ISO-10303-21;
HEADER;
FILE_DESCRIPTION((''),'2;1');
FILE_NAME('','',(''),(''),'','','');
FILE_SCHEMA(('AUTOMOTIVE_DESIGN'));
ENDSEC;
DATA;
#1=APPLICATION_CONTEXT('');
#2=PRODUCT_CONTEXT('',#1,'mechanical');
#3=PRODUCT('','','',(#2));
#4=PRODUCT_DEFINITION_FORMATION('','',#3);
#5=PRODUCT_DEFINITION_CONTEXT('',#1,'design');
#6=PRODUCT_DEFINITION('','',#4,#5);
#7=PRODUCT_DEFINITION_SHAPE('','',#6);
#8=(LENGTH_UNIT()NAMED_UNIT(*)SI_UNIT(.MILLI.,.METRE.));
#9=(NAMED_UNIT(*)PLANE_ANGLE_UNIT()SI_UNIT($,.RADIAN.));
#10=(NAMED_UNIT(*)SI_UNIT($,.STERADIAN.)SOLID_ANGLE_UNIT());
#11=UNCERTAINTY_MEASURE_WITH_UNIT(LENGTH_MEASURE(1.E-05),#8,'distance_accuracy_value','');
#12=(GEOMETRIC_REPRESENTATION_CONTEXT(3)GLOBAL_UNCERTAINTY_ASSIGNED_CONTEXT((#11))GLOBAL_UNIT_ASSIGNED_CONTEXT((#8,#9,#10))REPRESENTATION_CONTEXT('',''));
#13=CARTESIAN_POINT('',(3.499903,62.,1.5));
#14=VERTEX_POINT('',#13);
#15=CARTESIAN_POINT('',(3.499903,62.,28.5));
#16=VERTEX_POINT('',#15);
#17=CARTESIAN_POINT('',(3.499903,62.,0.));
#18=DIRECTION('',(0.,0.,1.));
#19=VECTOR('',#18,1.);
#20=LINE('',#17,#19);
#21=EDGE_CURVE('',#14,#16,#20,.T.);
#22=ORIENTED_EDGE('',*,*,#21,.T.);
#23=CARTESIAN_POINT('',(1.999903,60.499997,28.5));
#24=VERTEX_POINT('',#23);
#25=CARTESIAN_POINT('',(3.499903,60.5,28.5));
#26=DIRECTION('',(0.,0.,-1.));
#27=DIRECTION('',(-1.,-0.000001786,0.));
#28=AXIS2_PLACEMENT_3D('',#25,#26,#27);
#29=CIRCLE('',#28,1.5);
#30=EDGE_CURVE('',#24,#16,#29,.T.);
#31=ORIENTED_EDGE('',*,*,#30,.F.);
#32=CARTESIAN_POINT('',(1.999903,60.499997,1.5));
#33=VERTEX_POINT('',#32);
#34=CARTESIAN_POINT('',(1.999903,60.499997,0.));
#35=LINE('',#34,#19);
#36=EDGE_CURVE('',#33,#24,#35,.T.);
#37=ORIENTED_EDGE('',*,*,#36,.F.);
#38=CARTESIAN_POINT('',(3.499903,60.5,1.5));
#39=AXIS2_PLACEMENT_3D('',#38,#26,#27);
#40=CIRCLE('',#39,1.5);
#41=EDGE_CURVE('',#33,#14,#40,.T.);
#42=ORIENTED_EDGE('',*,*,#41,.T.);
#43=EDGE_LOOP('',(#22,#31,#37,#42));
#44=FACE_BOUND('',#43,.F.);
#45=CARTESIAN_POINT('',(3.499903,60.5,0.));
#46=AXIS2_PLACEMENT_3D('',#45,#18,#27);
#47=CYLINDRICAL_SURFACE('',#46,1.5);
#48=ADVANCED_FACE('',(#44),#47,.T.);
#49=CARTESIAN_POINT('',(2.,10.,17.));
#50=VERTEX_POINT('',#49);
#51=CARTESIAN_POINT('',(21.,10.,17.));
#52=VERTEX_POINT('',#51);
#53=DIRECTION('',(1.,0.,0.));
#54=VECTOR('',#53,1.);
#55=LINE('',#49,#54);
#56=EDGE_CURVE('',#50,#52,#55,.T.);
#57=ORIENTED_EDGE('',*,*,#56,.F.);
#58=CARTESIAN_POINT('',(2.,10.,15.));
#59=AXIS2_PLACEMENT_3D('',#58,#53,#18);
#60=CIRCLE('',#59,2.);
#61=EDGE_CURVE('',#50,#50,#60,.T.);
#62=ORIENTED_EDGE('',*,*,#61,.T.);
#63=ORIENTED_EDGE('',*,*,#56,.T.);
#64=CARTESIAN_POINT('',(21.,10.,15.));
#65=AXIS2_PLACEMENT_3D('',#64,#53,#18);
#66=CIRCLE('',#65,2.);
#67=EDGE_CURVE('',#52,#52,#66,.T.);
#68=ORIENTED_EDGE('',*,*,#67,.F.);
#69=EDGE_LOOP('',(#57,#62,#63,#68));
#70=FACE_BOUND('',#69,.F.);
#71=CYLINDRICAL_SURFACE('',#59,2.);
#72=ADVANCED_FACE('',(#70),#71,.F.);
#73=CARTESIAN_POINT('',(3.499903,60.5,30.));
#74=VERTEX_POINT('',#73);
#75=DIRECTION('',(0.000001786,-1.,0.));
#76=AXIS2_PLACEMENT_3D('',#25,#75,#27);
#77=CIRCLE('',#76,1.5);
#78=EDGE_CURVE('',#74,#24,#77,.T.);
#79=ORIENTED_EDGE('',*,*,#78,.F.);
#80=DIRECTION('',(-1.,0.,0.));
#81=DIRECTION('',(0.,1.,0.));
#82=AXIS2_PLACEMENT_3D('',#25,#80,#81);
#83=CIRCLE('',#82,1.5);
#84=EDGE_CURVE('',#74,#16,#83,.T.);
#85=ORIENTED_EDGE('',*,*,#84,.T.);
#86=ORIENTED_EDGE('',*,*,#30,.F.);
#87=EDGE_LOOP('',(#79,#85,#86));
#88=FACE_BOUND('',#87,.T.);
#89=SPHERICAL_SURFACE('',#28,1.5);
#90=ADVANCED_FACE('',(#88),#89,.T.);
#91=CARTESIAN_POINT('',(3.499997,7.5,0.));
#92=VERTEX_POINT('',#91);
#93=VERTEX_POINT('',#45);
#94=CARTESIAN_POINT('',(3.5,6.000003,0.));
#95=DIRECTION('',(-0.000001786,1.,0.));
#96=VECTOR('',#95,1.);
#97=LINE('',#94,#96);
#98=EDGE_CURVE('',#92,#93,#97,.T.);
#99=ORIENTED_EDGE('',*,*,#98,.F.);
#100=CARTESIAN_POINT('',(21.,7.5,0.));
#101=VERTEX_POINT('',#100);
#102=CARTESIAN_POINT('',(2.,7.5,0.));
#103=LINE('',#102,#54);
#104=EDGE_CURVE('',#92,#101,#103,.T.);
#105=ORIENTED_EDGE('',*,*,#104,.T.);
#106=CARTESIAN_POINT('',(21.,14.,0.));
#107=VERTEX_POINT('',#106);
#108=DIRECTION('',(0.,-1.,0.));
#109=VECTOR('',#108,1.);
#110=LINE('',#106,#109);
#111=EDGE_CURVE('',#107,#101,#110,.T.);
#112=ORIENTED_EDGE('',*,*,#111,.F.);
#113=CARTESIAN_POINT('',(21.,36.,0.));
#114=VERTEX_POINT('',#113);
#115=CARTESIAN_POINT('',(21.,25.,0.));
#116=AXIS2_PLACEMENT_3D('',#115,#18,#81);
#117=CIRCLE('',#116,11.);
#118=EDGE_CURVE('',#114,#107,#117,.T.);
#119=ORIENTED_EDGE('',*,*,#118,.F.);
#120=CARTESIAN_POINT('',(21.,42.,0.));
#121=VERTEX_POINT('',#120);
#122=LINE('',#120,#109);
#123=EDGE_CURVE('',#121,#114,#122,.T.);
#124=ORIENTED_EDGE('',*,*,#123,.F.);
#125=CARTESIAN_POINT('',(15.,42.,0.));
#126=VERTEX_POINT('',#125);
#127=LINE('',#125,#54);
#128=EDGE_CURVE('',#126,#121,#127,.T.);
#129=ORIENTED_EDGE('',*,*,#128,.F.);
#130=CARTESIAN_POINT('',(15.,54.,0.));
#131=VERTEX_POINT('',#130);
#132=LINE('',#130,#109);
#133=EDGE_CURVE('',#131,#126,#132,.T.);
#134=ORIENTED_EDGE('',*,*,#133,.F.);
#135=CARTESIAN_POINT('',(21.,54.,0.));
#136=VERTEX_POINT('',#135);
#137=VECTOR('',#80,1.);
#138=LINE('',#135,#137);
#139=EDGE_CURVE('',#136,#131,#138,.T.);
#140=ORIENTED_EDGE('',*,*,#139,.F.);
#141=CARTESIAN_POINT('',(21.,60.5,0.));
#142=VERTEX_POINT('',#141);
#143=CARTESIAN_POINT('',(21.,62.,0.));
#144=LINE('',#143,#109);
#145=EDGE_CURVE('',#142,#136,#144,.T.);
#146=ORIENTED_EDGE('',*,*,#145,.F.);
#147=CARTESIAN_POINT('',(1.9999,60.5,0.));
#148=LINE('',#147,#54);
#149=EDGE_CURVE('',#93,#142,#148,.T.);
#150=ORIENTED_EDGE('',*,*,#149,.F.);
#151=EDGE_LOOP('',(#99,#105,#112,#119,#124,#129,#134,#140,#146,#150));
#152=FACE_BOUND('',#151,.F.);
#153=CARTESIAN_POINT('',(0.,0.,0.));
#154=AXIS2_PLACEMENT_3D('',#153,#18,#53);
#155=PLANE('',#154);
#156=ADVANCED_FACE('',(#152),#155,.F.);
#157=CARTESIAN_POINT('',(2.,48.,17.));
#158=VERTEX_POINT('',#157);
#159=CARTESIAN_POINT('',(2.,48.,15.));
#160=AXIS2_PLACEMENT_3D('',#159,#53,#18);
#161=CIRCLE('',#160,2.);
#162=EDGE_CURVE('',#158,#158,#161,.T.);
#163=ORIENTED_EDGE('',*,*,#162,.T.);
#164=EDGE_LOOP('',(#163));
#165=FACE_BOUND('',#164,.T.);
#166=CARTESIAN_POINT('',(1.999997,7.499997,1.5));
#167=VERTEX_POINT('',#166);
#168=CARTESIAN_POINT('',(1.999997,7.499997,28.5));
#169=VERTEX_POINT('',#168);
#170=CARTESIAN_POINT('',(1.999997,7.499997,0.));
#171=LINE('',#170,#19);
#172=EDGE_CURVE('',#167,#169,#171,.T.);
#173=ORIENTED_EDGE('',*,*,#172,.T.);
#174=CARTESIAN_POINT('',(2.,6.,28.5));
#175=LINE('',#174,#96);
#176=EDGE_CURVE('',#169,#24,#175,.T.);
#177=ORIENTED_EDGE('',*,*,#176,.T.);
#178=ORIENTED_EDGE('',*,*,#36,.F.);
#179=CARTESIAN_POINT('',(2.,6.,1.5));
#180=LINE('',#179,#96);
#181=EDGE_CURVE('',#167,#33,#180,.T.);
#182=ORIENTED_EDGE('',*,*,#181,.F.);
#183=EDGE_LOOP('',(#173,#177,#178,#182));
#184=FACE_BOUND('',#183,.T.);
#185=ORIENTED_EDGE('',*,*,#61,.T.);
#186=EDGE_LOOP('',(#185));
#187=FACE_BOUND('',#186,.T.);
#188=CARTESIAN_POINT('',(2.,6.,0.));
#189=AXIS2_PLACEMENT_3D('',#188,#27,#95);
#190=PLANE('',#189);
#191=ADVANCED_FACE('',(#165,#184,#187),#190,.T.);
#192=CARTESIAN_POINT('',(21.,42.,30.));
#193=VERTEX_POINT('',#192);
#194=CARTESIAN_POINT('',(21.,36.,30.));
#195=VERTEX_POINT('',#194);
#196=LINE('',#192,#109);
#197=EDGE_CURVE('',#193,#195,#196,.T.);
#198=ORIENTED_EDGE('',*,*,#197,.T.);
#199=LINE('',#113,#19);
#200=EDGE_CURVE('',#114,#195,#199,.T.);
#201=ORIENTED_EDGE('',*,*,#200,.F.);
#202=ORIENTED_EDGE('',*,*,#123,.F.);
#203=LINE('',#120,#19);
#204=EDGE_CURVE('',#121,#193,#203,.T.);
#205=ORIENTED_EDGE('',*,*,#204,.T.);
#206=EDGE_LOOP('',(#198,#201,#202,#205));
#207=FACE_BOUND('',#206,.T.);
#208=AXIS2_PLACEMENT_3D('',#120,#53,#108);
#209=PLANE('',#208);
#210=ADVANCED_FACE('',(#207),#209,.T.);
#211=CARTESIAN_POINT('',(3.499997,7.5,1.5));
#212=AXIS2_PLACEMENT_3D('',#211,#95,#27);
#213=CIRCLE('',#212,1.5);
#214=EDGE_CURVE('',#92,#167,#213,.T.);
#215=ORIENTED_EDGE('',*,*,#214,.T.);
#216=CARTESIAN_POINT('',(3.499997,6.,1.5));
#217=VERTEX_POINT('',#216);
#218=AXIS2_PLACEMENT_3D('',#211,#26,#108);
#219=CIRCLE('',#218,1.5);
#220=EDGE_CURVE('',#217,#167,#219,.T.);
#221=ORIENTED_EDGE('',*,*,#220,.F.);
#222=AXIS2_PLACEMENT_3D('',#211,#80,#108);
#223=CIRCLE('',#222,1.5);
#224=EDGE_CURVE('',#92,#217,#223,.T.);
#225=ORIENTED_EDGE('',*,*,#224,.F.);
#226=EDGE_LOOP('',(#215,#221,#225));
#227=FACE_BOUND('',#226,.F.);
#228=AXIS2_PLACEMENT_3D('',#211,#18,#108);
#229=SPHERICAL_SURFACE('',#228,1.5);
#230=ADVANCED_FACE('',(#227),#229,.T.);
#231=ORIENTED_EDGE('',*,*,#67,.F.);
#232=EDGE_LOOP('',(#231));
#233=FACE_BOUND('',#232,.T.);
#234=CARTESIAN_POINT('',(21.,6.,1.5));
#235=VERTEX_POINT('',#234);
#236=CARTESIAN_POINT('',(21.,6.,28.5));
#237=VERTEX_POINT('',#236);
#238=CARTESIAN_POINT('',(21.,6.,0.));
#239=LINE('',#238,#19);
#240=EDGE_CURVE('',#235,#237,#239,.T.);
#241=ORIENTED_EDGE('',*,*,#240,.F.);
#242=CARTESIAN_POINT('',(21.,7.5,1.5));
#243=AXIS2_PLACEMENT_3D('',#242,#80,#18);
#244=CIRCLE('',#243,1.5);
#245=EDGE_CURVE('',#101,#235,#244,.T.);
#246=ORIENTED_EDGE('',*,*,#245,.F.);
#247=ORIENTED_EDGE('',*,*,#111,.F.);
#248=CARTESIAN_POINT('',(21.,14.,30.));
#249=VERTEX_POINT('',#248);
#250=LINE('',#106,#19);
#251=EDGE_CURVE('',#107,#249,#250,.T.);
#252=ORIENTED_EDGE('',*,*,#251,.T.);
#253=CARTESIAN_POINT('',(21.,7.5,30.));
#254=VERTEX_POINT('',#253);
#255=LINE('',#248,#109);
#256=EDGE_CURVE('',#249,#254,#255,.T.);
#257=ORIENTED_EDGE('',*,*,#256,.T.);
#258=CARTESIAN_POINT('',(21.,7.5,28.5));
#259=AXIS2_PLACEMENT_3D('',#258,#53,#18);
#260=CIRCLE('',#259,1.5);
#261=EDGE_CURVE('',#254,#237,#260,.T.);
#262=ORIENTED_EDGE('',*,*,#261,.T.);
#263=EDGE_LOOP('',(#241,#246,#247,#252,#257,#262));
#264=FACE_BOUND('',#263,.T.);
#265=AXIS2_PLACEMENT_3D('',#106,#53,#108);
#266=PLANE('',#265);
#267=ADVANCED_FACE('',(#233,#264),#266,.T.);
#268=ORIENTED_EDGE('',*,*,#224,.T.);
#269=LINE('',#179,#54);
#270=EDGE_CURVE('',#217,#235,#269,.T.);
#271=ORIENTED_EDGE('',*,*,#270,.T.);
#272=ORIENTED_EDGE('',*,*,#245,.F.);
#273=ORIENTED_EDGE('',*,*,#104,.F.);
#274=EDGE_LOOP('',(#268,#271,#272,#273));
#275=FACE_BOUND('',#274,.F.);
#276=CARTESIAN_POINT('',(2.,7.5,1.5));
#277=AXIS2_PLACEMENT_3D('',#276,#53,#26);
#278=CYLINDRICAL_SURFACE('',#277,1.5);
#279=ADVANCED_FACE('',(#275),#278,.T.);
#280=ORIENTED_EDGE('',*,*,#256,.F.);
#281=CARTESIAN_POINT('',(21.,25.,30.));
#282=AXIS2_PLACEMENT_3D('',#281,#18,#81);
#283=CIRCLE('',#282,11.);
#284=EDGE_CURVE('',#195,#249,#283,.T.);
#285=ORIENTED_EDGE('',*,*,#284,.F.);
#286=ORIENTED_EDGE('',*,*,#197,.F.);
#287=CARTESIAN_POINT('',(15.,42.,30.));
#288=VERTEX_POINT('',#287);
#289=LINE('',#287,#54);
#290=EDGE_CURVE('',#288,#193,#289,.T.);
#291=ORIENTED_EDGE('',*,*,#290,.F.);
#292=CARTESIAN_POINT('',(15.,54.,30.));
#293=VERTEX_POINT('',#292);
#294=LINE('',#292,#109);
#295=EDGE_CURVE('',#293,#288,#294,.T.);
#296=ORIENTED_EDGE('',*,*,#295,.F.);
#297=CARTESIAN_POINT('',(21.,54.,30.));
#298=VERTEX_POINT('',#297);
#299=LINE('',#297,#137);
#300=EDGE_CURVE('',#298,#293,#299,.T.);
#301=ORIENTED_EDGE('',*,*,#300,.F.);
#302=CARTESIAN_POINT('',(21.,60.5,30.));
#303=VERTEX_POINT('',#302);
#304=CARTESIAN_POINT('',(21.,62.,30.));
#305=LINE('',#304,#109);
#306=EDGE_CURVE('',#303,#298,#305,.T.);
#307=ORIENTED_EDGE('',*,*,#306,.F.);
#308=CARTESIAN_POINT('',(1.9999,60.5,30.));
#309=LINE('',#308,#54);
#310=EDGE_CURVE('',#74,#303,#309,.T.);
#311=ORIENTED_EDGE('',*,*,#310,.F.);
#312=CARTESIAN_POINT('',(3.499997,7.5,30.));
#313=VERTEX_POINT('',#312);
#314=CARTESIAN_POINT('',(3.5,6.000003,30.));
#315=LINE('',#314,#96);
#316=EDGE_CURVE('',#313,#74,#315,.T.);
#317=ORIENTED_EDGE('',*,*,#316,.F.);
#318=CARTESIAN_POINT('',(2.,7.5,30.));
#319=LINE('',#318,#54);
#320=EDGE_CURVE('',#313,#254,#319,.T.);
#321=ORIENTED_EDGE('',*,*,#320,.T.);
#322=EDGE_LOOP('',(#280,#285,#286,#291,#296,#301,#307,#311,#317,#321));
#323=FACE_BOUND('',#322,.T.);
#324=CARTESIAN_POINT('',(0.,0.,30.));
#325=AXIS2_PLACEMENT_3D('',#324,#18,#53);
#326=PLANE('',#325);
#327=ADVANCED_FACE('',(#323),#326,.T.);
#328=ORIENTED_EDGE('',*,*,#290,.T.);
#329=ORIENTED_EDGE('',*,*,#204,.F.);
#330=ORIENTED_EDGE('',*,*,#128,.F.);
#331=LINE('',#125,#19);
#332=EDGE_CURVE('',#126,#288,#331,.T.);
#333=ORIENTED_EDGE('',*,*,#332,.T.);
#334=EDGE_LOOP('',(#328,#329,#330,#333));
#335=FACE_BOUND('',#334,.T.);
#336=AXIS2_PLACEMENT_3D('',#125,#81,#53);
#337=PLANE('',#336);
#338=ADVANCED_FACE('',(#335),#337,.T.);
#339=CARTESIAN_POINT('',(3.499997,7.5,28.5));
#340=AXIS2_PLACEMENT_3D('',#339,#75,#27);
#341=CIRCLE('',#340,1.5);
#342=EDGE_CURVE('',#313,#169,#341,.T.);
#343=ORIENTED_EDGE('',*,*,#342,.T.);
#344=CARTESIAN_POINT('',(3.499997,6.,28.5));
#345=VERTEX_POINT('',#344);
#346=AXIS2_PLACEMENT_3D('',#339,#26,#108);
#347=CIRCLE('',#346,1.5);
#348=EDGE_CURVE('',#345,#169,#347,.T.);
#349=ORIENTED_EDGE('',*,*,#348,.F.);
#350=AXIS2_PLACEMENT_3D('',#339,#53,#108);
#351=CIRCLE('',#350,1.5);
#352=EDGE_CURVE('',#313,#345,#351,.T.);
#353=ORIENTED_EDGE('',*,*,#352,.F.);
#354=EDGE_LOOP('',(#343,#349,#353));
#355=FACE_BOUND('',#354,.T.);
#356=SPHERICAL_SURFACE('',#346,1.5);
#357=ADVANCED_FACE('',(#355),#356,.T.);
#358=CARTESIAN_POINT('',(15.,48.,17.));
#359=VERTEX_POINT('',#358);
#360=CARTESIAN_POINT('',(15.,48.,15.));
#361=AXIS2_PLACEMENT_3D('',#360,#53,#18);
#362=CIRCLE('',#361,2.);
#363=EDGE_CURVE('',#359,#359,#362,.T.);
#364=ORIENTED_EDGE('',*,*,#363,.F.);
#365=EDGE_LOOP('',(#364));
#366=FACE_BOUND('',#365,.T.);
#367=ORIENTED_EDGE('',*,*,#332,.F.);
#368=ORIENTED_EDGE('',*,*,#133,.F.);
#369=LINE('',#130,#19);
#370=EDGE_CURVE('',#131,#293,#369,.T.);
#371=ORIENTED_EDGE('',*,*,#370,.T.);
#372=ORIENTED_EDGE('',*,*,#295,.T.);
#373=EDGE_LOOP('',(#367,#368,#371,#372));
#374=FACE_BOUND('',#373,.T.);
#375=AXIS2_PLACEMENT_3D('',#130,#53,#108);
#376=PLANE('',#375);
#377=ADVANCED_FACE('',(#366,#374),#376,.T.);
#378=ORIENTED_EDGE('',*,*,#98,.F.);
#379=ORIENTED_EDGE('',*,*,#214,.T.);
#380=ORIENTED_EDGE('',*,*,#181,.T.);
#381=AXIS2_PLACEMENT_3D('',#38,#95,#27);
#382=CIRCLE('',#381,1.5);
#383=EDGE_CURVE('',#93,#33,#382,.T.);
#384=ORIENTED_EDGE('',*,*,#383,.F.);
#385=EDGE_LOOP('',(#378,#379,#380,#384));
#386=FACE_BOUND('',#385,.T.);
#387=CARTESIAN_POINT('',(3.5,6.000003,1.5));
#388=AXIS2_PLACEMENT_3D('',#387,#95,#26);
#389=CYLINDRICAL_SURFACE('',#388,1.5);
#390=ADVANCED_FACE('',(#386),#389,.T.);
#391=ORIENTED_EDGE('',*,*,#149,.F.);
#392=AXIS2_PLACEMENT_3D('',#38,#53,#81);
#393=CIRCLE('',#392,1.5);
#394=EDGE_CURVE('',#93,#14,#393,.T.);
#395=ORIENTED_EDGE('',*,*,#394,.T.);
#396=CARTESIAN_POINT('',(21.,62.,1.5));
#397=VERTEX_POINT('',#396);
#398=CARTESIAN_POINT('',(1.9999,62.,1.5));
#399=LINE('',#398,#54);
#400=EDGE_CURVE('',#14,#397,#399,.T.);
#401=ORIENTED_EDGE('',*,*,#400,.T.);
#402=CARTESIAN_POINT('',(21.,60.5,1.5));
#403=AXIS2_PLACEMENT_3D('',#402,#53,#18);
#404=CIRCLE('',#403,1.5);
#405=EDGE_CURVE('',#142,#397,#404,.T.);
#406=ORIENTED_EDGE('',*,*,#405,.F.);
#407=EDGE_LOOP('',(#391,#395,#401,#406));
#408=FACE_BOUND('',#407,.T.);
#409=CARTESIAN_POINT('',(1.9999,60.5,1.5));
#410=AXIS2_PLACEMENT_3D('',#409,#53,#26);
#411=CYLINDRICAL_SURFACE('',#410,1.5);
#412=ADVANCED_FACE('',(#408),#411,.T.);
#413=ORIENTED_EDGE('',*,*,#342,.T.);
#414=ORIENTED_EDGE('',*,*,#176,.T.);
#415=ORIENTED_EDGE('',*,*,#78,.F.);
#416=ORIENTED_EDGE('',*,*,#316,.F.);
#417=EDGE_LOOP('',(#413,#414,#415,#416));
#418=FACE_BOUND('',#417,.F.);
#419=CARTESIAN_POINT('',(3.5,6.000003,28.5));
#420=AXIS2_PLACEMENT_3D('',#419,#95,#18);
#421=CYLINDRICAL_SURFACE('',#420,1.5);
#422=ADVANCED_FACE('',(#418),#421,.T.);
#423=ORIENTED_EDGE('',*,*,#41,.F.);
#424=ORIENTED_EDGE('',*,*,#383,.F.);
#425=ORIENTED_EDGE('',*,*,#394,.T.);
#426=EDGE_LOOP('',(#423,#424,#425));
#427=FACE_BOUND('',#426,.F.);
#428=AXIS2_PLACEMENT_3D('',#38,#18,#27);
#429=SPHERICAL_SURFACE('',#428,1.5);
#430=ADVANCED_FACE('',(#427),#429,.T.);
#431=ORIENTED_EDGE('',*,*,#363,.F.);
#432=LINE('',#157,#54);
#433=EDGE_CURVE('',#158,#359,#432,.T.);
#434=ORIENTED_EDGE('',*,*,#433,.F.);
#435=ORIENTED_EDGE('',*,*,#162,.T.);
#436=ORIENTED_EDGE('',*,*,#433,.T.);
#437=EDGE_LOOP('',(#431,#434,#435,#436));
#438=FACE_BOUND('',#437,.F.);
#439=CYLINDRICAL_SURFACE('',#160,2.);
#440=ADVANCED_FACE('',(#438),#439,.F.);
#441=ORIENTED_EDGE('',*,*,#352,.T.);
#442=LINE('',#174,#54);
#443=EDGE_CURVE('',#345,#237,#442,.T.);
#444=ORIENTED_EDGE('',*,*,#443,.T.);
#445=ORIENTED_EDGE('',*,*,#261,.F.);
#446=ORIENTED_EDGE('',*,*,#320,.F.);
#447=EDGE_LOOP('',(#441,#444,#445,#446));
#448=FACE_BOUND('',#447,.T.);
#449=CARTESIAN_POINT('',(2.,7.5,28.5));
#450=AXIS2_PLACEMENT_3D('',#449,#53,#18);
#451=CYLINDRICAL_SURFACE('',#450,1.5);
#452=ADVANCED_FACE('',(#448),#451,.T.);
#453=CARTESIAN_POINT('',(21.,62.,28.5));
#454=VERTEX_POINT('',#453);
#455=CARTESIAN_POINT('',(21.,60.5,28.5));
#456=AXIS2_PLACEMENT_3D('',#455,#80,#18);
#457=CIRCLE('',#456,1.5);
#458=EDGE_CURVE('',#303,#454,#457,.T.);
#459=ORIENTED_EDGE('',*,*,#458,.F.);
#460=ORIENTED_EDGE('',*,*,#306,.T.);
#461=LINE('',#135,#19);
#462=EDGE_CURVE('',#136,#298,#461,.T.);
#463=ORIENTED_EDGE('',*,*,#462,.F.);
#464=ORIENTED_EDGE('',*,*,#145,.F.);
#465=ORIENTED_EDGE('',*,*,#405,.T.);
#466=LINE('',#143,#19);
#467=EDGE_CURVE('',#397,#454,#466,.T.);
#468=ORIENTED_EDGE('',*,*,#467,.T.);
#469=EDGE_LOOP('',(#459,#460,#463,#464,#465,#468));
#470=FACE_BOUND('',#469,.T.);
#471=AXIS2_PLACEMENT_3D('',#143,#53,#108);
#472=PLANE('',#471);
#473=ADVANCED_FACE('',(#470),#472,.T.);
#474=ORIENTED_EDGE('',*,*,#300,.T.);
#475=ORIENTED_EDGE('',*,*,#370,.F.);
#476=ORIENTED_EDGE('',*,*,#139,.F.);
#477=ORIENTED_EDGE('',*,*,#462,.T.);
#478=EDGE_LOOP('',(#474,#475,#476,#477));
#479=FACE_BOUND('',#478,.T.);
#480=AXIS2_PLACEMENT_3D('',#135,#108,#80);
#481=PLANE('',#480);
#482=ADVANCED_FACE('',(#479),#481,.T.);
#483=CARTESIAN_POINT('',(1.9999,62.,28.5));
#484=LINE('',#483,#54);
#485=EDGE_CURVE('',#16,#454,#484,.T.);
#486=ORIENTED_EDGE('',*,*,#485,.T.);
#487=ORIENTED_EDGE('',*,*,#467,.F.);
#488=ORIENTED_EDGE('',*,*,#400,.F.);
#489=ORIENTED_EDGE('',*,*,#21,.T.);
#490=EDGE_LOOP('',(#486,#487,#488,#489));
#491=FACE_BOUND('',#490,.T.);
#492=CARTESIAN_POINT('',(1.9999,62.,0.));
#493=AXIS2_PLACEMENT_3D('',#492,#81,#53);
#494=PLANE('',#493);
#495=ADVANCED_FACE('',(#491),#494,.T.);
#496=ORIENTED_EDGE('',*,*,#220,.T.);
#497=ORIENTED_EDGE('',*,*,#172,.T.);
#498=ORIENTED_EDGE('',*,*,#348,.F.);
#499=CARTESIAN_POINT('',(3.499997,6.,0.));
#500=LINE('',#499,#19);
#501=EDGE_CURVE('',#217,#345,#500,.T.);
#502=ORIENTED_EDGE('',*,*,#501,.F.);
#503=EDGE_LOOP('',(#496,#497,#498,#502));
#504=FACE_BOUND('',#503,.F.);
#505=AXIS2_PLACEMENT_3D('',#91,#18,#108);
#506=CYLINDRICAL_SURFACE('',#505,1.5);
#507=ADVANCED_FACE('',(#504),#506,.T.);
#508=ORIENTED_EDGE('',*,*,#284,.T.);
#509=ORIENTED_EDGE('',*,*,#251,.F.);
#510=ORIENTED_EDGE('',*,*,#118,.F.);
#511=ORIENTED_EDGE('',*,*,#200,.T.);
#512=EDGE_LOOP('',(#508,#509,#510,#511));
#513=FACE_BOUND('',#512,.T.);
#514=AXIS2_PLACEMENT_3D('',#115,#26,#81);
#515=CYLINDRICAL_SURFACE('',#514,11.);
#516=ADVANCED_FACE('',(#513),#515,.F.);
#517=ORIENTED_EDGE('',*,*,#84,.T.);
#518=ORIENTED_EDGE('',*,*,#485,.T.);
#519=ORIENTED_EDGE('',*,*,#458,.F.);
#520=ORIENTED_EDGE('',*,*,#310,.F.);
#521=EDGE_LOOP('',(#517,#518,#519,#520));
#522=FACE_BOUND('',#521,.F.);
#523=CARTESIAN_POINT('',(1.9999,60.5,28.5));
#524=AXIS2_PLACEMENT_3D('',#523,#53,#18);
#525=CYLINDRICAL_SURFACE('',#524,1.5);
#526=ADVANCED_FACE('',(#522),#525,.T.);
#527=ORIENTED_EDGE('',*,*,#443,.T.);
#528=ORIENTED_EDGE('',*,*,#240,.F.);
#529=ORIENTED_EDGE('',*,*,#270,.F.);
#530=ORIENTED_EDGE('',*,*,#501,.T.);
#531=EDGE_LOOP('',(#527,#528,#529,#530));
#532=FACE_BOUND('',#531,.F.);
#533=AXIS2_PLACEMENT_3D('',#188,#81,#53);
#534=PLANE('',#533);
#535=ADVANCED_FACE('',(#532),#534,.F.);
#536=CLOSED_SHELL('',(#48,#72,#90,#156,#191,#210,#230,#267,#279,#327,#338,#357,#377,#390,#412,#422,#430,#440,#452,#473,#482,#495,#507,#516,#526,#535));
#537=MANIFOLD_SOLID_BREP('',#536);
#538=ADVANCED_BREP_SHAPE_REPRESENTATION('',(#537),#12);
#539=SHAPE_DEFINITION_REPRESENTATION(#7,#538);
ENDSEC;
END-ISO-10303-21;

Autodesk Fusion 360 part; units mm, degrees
sketch "Esboço1" plane through (0, 0, 0) normal (0, 0, 1) x (1, 0, 0)
  line L0 (1.9999, 62) -> (2, 62)
  line L1 (15, 42) -> (21, 42)
  line L2 (15, 54) -> (15, 42)
  line L3 (2, 6) -> (2, 62)
  line L4 (1.9999, 62) -> (21, 62)
  line L5 (2, 6) -> (21, 6)
  line L6 (21, 62) -> (21, 54)
  line L7 (21, 54) -> (15, 54)
  line L8 (21, 14) -> (21, 6)
  line L9 (21, 42) -> (21, 36)
  arc A0 (21, 36) -> (21, 14) centre (21, 25) ccw
  dimension "d2" = 12
  dimension "d3" = 6
  dimension "d5" = 8
  dimension "d8" = 6
  dimension "d10" = 8
  dimension "d36" = 19
  dimension "d12" = 6
  dimension "d13" = 11
extrude "Extrusão1" add sketch "Esboço1" along normal blind 30
hole "Furo1" at (2, 48, 15) direction (1, 0, 0) diameter 4 depth 21 tip angle 180
hole "Furo2" at (2, 10, 15) direction (1, 0, 0) diameter 4 depth 21 tip angle 180
fillet "Arredondamento1" radius 1.5 8 edges at (11.5, 62, 30) (2, 62, 15) (2, 34, 30) (2, 6, 15) (11.5, 6, 30) (11.5, 6, 0) (2, 34, 0) (11.5, 62, 0)
